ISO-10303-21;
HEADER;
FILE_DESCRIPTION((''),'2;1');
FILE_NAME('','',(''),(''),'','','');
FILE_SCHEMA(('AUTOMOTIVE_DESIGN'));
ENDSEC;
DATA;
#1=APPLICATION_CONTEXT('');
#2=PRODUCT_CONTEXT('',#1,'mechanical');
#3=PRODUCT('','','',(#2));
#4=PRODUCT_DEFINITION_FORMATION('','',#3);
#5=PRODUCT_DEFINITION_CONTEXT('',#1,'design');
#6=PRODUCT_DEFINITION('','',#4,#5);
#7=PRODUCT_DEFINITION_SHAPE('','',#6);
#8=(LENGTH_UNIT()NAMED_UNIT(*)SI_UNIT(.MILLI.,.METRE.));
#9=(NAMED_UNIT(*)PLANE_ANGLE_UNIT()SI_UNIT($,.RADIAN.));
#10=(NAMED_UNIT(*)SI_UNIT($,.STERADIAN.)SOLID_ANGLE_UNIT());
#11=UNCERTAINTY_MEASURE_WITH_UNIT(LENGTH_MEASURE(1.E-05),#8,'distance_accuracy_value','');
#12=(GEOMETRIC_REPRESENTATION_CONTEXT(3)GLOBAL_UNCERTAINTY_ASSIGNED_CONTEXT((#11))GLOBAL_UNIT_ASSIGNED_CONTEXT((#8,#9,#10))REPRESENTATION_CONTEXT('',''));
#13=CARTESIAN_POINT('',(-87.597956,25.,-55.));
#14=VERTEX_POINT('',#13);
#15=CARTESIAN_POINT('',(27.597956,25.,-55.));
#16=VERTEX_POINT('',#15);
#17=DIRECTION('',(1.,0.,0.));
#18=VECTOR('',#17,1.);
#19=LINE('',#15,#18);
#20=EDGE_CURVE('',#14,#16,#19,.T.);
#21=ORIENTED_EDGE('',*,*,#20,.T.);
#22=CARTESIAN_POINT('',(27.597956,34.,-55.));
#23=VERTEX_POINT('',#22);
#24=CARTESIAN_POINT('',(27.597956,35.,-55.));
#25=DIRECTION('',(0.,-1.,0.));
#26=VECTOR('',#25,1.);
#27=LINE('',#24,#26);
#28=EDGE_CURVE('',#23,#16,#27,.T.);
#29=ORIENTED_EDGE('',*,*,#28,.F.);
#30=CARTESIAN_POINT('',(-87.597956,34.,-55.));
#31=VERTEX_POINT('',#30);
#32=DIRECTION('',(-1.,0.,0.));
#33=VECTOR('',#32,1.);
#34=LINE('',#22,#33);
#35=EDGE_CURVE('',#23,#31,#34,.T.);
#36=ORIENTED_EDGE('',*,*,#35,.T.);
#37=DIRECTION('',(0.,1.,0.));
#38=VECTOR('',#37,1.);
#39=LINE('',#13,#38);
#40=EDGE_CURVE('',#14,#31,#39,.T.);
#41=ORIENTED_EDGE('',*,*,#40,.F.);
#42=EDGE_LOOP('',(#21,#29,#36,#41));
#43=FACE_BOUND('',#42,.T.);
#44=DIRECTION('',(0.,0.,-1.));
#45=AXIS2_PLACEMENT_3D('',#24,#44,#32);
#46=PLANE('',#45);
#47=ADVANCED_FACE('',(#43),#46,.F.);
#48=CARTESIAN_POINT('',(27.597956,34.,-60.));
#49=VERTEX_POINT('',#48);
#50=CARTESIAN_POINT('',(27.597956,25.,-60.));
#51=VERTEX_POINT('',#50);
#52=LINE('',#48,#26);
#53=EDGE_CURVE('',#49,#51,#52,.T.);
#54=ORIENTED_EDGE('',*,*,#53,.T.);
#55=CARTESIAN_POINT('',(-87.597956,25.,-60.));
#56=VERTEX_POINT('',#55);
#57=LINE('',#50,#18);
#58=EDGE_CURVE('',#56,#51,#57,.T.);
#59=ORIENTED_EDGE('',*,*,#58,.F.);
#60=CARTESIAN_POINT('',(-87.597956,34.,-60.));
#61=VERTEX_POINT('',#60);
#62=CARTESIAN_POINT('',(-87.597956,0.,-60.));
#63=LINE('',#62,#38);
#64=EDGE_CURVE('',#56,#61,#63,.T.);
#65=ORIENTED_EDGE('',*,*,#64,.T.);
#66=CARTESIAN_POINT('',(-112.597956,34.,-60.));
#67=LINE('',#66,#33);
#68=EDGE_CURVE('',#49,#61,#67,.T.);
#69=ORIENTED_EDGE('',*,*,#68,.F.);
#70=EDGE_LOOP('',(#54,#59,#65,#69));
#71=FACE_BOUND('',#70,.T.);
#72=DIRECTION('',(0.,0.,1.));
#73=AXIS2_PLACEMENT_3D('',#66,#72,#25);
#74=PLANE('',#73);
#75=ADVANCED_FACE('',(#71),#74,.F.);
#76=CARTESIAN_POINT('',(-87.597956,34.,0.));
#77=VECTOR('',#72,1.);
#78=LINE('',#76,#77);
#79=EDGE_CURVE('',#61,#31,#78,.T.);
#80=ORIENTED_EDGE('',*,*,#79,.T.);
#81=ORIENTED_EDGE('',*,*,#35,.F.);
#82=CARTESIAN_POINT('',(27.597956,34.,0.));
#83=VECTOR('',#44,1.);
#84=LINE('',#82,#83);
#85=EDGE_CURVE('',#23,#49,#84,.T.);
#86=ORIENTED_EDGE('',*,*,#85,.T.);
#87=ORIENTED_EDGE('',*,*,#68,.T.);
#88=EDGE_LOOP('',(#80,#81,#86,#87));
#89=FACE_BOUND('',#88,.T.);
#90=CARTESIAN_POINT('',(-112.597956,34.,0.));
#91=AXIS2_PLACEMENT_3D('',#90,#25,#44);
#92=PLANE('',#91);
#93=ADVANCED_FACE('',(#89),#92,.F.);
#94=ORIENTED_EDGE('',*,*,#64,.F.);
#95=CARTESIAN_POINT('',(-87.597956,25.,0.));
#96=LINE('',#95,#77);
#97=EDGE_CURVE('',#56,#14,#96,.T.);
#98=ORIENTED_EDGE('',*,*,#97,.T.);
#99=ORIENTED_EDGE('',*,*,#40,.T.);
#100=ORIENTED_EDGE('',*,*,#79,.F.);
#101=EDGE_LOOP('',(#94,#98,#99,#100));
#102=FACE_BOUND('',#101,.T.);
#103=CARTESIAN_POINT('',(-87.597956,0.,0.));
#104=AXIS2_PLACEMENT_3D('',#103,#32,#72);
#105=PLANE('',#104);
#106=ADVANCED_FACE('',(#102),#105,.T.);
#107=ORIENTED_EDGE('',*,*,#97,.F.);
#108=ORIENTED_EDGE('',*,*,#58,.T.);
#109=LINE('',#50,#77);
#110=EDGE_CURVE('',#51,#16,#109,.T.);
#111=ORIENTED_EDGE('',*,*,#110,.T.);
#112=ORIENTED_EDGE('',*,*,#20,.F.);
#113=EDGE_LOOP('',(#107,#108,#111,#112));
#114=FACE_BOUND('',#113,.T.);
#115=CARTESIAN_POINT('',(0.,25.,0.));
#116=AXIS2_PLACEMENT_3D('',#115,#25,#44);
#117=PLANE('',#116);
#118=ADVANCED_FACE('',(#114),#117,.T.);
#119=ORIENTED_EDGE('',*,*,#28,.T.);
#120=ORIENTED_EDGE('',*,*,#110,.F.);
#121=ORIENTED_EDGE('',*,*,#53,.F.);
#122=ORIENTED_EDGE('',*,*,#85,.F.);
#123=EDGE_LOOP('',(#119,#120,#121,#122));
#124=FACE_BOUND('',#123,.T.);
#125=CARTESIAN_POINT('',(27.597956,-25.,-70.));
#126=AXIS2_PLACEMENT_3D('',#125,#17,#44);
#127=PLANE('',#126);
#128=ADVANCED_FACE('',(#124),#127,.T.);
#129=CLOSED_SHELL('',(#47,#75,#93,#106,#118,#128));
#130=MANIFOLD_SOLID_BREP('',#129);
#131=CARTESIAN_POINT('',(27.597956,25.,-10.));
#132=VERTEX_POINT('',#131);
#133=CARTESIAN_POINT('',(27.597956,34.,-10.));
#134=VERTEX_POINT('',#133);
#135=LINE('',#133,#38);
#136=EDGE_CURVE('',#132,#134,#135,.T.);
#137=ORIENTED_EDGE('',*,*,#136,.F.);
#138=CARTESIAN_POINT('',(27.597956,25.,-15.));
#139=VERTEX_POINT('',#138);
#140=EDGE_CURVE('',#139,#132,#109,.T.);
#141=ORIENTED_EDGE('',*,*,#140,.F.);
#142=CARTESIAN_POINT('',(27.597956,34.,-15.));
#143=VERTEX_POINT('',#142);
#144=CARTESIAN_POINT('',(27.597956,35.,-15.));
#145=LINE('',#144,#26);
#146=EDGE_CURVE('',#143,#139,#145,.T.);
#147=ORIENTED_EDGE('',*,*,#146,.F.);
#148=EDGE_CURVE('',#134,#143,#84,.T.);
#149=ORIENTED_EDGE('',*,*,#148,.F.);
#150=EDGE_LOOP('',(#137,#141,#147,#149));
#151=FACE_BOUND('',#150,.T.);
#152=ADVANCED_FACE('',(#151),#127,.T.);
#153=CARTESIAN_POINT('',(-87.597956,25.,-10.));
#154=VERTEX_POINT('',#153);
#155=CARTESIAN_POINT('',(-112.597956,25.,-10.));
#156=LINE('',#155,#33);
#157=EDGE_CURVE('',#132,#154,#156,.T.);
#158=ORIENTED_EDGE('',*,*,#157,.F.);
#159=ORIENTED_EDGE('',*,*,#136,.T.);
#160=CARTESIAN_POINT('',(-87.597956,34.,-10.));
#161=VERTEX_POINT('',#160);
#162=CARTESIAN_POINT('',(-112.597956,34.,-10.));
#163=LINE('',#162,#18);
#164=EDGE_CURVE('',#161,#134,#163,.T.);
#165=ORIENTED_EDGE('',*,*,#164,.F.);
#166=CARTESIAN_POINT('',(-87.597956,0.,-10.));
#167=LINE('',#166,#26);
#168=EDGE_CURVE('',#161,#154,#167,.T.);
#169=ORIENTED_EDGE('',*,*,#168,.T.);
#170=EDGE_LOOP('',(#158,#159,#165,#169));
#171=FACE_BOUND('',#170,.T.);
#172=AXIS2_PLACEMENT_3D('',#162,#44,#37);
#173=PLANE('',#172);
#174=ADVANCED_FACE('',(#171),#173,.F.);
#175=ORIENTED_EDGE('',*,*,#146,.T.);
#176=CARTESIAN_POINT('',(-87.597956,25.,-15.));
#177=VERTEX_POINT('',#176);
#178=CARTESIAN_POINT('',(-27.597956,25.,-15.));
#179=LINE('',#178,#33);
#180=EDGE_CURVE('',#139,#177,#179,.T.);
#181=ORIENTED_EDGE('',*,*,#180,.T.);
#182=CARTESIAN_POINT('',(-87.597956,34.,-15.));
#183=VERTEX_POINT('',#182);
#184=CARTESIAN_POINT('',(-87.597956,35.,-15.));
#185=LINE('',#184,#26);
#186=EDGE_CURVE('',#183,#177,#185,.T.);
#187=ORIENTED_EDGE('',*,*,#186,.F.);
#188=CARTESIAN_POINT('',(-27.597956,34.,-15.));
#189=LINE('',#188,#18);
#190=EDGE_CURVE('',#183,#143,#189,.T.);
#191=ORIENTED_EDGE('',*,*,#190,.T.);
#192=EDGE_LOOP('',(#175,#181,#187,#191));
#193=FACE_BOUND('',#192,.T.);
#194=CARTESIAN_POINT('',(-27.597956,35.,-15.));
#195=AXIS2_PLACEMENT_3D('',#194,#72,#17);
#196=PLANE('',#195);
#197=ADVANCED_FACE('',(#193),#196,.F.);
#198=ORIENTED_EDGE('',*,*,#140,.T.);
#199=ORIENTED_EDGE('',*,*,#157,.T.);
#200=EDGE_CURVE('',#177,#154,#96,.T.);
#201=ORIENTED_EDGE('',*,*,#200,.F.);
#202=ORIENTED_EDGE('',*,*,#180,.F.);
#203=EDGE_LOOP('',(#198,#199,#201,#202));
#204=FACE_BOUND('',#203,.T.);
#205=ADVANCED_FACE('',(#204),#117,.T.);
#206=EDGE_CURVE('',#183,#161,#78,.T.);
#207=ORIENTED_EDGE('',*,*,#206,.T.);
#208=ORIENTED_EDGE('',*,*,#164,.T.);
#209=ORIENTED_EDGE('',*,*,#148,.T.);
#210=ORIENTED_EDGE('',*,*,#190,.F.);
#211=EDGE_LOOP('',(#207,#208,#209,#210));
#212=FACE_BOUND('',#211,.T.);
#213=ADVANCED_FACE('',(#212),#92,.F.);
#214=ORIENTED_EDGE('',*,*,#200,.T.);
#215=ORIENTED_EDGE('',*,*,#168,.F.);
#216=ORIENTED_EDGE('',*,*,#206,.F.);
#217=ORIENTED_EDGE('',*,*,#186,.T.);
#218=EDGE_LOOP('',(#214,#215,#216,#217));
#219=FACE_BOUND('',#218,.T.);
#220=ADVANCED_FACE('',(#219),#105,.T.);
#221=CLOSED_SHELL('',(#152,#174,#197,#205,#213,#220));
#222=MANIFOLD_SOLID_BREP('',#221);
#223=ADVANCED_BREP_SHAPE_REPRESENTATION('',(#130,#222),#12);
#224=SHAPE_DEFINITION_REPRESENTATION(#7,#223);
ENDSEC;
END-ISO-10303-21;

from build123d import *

# Parameters (mm, degrees)
SKETCH1_W           = 55.195911414
SKETCH1_H           = 50
BOSS_EXTRUDE1_DEPTH = 70
SKETCH2_W           = 55.195911414
SKETCH2_H           = 15
BOSS_EXTRUDE2_DEPTH = 10
BOSS_EXTRUDE3_DEPTH = 60
SKETCH4_W           = 20
SKETCH4_H           = 9.75
BOSS_EXTRUDE4_DEPTH = 25
SKETCH5_W           = 10
SKETCH5_H           = 20
BOSS_EXTRUDE5_DEPTH = 10
SKETCH6_W           = 70
SKETCH6_H           = 1
CUT_EXTRUDE1_DEPTH  = 161.561183283
SKETCH7_W           = 10
SKETCH7_H           = 59
CUT_EXTRUDE2_DEPTH  = 161.346167953
SKETCH8_W           = 146.025432046
SKETCH8_H           = 53.713621204
CUT_EXTRUDE3_DEPTH  = 50


with BuildPart() as part:
    # Sketch1 → Boss-Extrude1 (new body)
    with BuildSketch(Plane.XY):
        Rectangle(SKETCH1_W, SKETCH1_H)
    extrude(amount=-BOSS_EXTRUDE1_DEPTH)

    # Sketch2 → Boss-Extrude2 (add)
    with BuildSketch(Plane(origin=(0, 25, 0), x_dir=(1, 0, 0), z_dir=(0, 1, 0))):
        with Locations((0, 7.5)):
            Rectangle(SKETCH2_W, SKETCH2_H)
        with Locations((0, 62.5)):
            Rectangle(SKETCH2_W, SKETCH2_H)
    extrude(amount=BOSS_EXTRUDE2_DEPTH)

    # Sketch3 → Boss-Extrude3 (add)
    with BuildSketch(Plane.ZY.offset(27.597955707)):
        Polygon((0, -25), (0, 35), (-15, 35), (-15, 25), (-55, 25), (-55, 35), (-70, 35), (-70, -25), align=None)
    extrude(amount=BOSS_EXTRUDE3_DEPTH)

    # Sketch4 → Boss-Extrude4 (add)
    with BuildSketch(Plane.ZY.offset(87.597955707)):
        with Locations((-35, -20.125)):
            Rectangle(SKETCH4_W, SKETCH4_H)
    extrude(amount=BOSS_EXTRUDE4_DEPTH)

    # Sketch5 → Boss-Extrude5 (add)
    with BuildSketch(Plane(origin=(0, -15.25, 0), x_dir=(1, 0, 0), z_dir=(0, 1, 0))):
        with Locations((-107.597955707, 35)):
            Rectangle(SKETCH5_W, SKETCH5_H)
    extrude(amount=BOSS_EXTRUDE5_DEPTH)

    # Sketch6 → Cut-Extrude1 (cut, through all)
    with BuildSketch(Plane(origin=(27.597955707, 0, 0), x_dir=(0, 0, -1), z_dir=(1, 0, 0))):
        with Locations((35, 34.5)):
            Rectangle(SKETCH6_W, SKETCH6_H)
    extrude(amount=-CUT_EXTRUDE1_DEPTH, mode=Mode.SUBTRACT)

    # Sketch7 → Cut-Extrude2 (cut, through all)
    with BuildSketch(Plane(origin=(27.597955707, 0, 0), x_dir=(0, 0, -1), z_dir=(1, 0, 0))):
        with Locations((5, 4.5)):
            Rectangle(SKETCH7_W, SKETCH7_H)
        with Locations((65, 4.5)):
            Rectangle(SKETCH7_W, SKETCH7_H)
    extrude(amount=-CUT_EXTRUDE2_DEPTH, mode=Mode.SUBTRACT)

    # Sketch8 → Cut-Extrude3 (cut)
    with BuildSketch(Plane.XZ.offset(25)):
        with Locations((-45.414760316, -33.143189398)):
            Rectangle(SKETCH8_W, SKETCH8_H)
    extrude(amount=-CUT_EXTRUDE3_DEPTH, mode=Mode.SUBTRACT)


with BuildPart() as cut_extrude3_piece_1:
    # of the separate pieces the step leaves, piece 1, a body of its own (cut_extrude3_pieces)
    add(part.part.solids().sort_by_distance((27.597955707, 25, -55))[0])


with BuildPart() as cut_extrude3_piece_2:
    # of the separate pieces the step leaves, piece 2, a body of its own (cut_extrude3_pieces)
    add(part.part.solids().sort_by_distance((27.597955707, 25, -15))[0])


solid = Compound([cut_extrude3_piece_1.part, cut_extrude3_piece_2.part])
